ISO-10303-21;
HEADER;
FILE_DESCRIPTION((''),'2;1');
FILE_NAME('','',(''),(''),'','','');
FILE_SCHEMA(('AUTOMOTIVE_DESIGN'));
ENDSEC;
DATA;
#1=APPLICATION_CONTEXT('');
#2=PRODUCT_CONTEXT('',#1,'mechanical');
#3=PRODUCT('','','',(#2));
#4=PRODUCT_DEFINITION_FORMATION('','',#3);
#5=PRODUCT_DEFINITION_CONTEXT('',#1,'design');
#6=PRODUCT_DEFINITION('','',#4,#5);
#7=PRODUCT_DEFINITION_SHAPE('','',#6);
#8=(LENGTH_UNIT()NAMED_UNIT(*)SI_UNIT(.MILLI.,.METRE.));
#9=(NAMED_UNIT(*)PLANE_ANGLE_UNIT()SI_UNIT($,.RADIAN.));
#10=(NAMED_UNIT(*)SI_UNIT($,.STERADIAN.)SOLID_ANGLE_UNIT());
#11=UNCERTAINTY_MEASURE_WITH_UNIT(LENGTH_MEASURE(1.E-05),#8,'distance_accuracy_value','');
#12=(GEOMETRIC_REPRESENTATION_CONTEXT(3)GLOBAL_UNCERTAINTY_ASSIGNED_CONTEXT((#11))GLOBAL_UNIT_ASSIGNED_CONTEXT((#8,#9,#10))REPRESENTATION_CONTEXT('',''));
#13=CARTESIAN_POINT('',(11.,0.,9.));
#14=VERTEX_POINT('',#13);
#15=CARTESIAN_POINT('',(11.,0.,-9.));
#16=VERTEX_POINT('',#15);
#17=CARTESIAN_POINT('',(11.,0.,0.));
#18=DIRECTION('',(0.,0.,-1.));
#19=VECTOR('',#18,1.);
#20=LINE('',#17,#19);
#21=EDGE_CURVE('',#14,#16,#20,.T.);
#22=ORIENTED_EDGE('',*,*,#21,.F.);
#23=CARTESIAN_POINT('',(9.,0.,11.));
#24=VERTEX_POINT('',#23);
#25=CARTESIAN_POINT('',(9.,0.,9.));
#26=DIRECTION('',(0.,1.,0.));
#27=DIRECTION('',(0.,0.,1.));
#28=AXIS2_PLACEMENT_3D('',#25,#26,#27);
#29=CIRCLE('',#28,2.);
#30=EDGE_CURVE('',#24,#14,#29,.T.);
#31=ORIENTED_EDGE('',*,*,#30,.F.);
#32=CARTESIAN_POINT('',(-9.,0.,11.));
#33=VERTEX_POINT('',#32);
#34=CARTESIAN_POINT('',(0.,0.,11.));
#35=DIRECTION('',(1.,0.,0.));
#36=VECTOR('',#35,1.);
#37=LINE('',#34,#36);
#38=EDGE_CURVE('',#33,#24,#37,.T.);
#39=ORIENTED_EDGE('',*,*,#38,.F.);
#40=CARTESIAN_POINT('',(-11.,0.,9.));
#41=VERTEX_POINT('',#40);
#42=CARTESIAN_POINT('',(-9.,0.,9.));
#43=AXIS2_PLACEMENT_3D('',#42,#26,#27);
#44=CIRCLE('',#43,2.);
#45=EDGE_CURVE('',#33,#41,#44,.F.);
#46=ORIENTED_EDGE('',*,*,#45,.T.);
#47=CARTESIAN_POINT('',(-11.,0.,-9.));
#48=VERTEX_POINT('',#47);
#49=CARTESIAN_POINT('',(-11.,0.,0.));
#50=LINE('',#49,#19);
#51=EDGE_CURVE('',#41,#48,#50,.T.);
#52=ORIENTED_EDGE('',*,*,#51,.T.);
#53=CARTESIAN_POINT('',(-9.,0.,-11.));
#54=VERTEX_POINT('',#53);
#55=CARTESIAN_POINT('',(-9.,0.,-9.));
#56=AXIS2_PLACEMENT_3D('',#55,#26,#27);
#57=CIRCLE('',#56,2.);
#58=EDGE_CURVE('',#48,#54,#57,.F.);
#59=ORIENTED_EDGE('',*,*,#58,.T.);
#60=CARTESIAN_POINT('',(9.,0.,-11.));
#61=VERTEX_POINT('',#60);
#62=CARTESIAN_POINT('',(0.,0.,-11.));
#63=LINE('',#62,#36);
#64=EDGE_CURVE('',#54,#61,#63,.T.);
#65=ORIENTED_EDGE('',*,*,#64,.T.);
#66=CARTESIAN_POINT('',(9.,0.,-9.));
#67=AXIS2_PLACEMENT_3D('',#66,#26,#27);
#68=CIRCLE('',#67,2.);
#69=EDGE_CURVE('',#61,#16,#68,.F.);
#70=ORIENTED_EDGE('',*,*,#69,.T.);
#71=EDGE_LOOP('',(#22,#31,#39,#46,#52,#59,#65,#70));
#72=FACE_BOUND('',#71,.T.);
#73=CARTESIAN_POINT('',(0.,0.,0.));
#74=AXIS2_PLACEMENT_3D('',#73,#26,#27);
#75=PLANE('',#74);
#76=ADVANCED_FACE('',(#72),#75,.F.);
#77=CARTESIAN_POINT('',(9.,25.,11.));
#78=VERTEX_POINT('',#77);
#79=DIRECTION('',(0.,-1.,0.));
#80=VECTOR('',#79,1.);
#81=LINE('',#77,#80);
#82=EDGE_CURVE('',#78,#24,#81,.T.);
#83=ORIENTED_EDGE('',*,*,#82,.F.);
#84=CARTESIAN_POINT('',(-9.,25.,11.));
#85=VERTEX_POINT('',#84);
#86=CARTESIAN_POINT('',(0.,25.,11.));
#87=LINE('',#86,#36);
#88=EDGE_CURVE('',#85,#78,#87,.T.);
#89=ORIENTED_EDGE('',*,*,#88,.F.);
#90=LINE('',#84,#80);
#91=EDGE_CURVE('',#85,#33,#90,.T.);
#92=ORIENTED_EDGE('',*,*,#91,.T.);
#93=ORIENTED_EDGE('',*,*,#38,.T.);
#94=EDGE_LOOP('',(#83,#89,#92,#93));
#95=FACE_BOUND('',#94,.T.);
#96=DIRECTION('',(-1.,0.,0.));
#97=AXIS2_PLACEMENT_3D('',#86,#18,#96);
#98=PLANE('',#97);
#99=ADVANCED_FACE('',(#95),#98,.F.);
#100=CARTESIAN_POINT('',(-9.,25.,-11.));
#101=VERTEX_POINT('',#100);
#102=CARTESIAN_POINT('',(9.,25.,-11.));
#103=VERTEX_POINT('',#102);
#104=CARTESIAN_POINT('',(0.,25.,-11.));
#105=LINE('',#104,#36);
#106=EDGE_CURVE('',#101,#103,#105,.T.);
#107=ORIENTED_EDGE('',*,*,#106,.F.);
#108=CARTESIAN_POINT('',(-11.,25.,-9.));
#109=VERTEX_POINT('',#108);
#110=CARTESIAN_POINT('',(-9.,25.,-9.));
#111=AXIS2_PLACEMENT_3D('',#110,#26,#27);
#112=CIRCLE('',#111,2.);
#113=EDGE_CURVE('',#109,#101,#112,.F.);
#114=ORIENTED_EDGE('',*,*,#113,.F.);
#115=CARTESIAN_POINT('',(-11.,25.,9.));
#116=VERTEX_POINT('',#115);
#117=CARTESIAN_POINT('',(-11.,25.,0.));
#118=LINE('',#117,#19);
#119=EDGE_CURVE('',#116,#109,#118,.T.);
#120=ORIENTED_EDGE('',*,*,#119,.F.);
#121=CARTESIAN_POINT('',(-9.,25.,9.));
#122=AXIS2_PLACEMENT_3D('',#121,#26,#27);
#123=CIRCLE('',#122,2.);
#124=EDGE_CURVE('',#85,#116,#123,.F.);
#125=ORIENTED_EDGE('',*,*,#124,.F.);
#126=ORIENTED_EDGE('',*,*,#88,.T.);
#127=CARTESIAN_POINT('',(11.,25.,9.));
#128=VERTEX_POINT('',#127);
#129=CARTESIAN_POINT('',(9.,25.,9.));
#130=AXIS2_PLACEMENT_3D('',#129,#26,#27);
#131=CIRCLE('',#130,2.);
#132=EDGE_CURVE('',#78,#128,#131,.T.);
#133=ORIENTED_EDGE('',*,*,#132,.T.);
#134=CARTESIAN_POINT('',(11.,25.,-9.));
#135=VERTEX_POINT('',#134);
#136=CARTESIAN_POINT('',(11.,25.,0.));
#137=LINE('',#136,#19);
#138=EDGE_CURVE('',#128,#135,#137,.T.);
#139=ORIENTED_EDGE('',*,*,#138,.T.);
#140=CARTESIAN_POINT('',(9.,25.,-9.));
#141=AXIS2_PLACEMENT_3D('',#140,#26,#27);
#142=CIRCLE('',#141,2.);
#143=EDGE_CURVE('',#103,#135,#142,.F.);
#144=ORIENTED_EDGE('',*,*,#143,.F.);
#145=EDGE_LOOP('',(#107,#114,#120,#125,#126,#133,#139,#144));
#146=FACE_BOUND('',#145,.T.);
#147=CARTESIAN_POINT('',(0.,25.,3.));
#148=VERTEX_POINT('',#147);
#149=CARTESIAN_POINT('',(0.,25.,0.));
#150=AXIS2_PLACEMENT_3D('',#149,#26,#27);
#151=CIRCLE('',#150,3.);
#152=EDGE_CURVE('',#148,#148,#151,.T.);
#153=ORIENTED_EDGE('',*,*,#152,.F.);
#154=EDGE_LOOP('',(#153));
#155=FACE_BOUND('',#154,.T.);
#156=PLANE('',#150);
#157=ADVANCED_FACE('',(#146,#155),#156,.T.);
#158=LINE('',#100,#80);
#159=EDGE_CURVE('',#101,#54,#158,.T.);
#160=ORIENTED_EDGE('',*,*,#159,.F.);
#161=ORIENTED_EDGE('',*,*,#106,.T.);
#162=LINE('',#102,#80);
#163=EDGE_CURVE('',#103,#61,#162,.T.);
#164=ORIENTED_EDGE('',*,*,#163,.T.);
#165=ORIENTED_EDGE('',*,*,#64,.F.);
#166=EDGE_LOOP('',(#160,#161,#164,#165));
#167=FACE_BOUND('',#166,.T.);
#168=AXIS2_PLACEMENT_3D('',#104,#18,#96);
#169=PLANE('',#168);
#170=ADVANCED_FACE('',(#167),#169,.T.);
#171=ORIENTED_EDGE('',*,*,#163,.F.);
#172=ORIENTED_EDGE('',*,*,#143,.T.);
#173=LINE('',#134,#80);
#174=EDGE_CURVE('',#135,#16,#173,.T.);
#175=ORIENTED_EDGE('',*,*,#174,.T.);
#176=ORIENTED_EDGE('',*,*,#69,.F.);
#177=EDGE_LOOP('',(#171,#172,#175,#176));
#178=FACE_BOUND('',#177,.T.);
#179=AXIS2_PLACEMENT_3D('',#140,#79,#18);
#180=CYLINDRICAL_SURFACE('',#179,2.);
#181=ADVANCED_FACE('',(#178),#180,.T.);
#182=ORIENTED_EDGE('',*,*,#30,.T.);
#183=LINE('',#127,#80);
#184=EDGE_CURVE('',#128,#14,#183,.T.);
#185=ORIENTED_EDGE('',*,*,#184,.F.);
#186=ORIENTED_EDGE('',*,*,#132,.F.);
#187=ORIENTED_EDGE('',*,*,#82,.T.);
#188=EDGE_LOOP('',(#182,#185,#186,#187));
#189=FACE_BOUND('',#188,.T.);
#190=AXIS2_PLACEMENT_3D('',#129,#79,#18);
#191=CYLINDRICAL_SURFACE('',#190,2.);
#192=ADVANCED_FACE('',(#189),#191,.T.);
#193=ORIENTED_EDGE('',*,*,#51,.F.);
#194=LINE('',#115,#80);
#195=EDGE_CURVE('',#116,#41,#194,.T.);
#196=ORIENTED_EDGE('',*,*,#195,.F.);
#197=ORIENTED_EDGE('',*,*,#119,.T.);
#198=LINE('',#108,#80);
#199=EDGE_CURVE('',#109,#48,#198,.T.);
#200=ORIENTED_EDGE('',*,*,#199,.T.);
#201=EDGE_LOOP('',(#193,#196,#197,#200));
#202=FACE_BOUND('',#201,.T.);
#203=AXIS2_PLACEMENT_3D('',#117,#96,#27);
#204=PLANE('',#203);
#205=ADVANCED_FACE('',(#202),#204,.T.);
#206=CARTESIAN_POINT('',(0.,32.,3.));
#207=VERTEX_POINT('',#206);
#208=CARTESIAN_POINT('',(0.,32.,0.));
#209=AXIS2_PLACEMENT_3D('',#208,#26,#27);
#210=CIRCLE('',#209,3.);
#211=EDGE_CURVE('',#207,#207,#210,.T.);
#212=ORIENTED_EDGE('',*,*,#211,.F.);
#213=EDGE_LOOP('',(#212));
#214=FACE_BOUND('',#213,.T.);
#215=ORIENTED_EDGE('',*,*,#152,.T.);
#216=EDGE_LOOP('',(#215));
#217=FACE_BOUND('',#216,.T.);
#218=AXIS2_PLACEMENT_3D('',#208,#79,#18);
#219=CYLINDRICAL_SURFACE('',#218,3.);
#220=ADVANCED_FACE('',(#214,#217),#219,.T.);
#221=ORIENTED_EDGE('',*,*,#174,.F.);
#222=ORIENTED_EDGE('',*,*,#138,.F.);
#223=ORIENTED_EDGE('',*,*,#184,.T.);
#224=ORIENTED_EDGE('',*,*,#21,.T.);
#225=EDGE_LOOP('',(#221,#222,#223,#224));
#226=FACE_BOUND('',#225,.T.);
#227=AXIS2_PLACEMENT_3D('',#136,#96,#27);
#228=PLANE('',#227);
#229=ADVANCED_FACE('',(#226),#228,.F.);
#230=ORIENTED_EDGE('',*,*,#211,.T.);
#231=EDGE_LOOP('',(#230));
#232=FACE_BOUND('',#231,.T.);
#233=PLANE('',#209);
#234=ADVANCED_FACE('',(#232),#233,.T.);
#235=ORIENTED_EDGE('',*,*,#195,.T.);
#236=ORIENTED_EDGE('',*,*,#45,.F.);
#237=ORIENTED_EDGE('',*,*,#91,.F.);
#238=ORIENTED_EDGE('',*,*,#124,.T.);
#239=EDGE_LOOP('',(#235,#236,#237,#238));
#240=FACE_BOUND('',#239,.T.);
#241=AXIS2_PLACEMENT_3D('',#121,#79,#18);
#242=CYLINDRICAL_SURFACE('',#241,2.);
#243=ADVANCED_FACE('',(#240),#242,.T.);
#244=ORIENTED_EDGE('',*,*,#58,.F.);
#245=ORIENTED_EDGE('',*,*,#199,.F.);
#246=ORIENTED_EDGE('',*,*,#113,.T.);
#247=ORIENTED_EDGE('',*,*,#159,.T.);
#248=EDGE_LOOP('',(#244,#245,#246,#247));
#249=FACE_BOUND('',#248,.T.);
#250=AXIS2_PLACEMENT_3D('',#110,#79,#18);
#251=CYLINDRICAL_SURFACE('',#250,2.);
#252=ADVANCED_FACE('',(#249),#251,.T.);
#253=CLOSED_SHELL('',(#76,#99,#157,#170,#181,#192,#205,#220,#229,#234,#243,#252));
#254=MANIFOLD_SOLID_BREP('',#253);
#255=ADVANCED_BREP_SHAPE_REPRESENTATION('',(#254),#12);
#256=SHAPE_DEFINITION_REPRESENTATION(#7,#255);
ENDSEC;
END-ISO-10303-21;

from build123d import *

# Parameters (mm, degrees)
SKETCH1_R           = 6
BOSS_EXTRUDE1_DEPTH = 25
SKETCH2_R           = 3
BOSS_EXTRUDE2_DEPTH = 7


with BuildPart() as part:
    # Sketch1 → Boss-Extrude1 (new body)
    with BuildSketch(Plane(origin=(0, 0, 0), x_dir=(1, 0, 0), z_dir=(0, 1, 0))):
        with BuildLine():
            ThreePointArc((-11, 9), (-10.414213562, 10.414213562), (-9, 11))
            Line((-9, 11), (9, 11))
            ThreePointArc((9, 11), (10.414213562, 10.414213562), (11, 9))
            Line((11, 9), (11, -9))
            ThreePointArc((11, -9), (10.414213562, -10.414213562), (9, -11))
            Line((9, -11), (-9, -11))
            ThreePointArc((-9, -11), (-10.414213562, -10.414213562), (-11, -9))
            Line((-11, -9), (-11, 9))
        make_face()
        Circle(SKETCH1_R, mode=Mode.SUBTRACT)
        Circle(SKETCH1_R)
    extrude(amount=BOSS_EXTRUDE1_DEPTH)

    # Sketch2 → Boss-Extrude2 (add)
    with BuildSketch(Plane(origin=(0, 25, 0), x_dir=(1, 0, 0), z_dir=(0, 1, 0))):
        with Locations(Location((0, 0, 0), (0, 0, 270))):
            Circle(SKETCH2_R)
    extrude(amount=BOSS_EXTRUDE2_DEPTH)


solid = part.part
